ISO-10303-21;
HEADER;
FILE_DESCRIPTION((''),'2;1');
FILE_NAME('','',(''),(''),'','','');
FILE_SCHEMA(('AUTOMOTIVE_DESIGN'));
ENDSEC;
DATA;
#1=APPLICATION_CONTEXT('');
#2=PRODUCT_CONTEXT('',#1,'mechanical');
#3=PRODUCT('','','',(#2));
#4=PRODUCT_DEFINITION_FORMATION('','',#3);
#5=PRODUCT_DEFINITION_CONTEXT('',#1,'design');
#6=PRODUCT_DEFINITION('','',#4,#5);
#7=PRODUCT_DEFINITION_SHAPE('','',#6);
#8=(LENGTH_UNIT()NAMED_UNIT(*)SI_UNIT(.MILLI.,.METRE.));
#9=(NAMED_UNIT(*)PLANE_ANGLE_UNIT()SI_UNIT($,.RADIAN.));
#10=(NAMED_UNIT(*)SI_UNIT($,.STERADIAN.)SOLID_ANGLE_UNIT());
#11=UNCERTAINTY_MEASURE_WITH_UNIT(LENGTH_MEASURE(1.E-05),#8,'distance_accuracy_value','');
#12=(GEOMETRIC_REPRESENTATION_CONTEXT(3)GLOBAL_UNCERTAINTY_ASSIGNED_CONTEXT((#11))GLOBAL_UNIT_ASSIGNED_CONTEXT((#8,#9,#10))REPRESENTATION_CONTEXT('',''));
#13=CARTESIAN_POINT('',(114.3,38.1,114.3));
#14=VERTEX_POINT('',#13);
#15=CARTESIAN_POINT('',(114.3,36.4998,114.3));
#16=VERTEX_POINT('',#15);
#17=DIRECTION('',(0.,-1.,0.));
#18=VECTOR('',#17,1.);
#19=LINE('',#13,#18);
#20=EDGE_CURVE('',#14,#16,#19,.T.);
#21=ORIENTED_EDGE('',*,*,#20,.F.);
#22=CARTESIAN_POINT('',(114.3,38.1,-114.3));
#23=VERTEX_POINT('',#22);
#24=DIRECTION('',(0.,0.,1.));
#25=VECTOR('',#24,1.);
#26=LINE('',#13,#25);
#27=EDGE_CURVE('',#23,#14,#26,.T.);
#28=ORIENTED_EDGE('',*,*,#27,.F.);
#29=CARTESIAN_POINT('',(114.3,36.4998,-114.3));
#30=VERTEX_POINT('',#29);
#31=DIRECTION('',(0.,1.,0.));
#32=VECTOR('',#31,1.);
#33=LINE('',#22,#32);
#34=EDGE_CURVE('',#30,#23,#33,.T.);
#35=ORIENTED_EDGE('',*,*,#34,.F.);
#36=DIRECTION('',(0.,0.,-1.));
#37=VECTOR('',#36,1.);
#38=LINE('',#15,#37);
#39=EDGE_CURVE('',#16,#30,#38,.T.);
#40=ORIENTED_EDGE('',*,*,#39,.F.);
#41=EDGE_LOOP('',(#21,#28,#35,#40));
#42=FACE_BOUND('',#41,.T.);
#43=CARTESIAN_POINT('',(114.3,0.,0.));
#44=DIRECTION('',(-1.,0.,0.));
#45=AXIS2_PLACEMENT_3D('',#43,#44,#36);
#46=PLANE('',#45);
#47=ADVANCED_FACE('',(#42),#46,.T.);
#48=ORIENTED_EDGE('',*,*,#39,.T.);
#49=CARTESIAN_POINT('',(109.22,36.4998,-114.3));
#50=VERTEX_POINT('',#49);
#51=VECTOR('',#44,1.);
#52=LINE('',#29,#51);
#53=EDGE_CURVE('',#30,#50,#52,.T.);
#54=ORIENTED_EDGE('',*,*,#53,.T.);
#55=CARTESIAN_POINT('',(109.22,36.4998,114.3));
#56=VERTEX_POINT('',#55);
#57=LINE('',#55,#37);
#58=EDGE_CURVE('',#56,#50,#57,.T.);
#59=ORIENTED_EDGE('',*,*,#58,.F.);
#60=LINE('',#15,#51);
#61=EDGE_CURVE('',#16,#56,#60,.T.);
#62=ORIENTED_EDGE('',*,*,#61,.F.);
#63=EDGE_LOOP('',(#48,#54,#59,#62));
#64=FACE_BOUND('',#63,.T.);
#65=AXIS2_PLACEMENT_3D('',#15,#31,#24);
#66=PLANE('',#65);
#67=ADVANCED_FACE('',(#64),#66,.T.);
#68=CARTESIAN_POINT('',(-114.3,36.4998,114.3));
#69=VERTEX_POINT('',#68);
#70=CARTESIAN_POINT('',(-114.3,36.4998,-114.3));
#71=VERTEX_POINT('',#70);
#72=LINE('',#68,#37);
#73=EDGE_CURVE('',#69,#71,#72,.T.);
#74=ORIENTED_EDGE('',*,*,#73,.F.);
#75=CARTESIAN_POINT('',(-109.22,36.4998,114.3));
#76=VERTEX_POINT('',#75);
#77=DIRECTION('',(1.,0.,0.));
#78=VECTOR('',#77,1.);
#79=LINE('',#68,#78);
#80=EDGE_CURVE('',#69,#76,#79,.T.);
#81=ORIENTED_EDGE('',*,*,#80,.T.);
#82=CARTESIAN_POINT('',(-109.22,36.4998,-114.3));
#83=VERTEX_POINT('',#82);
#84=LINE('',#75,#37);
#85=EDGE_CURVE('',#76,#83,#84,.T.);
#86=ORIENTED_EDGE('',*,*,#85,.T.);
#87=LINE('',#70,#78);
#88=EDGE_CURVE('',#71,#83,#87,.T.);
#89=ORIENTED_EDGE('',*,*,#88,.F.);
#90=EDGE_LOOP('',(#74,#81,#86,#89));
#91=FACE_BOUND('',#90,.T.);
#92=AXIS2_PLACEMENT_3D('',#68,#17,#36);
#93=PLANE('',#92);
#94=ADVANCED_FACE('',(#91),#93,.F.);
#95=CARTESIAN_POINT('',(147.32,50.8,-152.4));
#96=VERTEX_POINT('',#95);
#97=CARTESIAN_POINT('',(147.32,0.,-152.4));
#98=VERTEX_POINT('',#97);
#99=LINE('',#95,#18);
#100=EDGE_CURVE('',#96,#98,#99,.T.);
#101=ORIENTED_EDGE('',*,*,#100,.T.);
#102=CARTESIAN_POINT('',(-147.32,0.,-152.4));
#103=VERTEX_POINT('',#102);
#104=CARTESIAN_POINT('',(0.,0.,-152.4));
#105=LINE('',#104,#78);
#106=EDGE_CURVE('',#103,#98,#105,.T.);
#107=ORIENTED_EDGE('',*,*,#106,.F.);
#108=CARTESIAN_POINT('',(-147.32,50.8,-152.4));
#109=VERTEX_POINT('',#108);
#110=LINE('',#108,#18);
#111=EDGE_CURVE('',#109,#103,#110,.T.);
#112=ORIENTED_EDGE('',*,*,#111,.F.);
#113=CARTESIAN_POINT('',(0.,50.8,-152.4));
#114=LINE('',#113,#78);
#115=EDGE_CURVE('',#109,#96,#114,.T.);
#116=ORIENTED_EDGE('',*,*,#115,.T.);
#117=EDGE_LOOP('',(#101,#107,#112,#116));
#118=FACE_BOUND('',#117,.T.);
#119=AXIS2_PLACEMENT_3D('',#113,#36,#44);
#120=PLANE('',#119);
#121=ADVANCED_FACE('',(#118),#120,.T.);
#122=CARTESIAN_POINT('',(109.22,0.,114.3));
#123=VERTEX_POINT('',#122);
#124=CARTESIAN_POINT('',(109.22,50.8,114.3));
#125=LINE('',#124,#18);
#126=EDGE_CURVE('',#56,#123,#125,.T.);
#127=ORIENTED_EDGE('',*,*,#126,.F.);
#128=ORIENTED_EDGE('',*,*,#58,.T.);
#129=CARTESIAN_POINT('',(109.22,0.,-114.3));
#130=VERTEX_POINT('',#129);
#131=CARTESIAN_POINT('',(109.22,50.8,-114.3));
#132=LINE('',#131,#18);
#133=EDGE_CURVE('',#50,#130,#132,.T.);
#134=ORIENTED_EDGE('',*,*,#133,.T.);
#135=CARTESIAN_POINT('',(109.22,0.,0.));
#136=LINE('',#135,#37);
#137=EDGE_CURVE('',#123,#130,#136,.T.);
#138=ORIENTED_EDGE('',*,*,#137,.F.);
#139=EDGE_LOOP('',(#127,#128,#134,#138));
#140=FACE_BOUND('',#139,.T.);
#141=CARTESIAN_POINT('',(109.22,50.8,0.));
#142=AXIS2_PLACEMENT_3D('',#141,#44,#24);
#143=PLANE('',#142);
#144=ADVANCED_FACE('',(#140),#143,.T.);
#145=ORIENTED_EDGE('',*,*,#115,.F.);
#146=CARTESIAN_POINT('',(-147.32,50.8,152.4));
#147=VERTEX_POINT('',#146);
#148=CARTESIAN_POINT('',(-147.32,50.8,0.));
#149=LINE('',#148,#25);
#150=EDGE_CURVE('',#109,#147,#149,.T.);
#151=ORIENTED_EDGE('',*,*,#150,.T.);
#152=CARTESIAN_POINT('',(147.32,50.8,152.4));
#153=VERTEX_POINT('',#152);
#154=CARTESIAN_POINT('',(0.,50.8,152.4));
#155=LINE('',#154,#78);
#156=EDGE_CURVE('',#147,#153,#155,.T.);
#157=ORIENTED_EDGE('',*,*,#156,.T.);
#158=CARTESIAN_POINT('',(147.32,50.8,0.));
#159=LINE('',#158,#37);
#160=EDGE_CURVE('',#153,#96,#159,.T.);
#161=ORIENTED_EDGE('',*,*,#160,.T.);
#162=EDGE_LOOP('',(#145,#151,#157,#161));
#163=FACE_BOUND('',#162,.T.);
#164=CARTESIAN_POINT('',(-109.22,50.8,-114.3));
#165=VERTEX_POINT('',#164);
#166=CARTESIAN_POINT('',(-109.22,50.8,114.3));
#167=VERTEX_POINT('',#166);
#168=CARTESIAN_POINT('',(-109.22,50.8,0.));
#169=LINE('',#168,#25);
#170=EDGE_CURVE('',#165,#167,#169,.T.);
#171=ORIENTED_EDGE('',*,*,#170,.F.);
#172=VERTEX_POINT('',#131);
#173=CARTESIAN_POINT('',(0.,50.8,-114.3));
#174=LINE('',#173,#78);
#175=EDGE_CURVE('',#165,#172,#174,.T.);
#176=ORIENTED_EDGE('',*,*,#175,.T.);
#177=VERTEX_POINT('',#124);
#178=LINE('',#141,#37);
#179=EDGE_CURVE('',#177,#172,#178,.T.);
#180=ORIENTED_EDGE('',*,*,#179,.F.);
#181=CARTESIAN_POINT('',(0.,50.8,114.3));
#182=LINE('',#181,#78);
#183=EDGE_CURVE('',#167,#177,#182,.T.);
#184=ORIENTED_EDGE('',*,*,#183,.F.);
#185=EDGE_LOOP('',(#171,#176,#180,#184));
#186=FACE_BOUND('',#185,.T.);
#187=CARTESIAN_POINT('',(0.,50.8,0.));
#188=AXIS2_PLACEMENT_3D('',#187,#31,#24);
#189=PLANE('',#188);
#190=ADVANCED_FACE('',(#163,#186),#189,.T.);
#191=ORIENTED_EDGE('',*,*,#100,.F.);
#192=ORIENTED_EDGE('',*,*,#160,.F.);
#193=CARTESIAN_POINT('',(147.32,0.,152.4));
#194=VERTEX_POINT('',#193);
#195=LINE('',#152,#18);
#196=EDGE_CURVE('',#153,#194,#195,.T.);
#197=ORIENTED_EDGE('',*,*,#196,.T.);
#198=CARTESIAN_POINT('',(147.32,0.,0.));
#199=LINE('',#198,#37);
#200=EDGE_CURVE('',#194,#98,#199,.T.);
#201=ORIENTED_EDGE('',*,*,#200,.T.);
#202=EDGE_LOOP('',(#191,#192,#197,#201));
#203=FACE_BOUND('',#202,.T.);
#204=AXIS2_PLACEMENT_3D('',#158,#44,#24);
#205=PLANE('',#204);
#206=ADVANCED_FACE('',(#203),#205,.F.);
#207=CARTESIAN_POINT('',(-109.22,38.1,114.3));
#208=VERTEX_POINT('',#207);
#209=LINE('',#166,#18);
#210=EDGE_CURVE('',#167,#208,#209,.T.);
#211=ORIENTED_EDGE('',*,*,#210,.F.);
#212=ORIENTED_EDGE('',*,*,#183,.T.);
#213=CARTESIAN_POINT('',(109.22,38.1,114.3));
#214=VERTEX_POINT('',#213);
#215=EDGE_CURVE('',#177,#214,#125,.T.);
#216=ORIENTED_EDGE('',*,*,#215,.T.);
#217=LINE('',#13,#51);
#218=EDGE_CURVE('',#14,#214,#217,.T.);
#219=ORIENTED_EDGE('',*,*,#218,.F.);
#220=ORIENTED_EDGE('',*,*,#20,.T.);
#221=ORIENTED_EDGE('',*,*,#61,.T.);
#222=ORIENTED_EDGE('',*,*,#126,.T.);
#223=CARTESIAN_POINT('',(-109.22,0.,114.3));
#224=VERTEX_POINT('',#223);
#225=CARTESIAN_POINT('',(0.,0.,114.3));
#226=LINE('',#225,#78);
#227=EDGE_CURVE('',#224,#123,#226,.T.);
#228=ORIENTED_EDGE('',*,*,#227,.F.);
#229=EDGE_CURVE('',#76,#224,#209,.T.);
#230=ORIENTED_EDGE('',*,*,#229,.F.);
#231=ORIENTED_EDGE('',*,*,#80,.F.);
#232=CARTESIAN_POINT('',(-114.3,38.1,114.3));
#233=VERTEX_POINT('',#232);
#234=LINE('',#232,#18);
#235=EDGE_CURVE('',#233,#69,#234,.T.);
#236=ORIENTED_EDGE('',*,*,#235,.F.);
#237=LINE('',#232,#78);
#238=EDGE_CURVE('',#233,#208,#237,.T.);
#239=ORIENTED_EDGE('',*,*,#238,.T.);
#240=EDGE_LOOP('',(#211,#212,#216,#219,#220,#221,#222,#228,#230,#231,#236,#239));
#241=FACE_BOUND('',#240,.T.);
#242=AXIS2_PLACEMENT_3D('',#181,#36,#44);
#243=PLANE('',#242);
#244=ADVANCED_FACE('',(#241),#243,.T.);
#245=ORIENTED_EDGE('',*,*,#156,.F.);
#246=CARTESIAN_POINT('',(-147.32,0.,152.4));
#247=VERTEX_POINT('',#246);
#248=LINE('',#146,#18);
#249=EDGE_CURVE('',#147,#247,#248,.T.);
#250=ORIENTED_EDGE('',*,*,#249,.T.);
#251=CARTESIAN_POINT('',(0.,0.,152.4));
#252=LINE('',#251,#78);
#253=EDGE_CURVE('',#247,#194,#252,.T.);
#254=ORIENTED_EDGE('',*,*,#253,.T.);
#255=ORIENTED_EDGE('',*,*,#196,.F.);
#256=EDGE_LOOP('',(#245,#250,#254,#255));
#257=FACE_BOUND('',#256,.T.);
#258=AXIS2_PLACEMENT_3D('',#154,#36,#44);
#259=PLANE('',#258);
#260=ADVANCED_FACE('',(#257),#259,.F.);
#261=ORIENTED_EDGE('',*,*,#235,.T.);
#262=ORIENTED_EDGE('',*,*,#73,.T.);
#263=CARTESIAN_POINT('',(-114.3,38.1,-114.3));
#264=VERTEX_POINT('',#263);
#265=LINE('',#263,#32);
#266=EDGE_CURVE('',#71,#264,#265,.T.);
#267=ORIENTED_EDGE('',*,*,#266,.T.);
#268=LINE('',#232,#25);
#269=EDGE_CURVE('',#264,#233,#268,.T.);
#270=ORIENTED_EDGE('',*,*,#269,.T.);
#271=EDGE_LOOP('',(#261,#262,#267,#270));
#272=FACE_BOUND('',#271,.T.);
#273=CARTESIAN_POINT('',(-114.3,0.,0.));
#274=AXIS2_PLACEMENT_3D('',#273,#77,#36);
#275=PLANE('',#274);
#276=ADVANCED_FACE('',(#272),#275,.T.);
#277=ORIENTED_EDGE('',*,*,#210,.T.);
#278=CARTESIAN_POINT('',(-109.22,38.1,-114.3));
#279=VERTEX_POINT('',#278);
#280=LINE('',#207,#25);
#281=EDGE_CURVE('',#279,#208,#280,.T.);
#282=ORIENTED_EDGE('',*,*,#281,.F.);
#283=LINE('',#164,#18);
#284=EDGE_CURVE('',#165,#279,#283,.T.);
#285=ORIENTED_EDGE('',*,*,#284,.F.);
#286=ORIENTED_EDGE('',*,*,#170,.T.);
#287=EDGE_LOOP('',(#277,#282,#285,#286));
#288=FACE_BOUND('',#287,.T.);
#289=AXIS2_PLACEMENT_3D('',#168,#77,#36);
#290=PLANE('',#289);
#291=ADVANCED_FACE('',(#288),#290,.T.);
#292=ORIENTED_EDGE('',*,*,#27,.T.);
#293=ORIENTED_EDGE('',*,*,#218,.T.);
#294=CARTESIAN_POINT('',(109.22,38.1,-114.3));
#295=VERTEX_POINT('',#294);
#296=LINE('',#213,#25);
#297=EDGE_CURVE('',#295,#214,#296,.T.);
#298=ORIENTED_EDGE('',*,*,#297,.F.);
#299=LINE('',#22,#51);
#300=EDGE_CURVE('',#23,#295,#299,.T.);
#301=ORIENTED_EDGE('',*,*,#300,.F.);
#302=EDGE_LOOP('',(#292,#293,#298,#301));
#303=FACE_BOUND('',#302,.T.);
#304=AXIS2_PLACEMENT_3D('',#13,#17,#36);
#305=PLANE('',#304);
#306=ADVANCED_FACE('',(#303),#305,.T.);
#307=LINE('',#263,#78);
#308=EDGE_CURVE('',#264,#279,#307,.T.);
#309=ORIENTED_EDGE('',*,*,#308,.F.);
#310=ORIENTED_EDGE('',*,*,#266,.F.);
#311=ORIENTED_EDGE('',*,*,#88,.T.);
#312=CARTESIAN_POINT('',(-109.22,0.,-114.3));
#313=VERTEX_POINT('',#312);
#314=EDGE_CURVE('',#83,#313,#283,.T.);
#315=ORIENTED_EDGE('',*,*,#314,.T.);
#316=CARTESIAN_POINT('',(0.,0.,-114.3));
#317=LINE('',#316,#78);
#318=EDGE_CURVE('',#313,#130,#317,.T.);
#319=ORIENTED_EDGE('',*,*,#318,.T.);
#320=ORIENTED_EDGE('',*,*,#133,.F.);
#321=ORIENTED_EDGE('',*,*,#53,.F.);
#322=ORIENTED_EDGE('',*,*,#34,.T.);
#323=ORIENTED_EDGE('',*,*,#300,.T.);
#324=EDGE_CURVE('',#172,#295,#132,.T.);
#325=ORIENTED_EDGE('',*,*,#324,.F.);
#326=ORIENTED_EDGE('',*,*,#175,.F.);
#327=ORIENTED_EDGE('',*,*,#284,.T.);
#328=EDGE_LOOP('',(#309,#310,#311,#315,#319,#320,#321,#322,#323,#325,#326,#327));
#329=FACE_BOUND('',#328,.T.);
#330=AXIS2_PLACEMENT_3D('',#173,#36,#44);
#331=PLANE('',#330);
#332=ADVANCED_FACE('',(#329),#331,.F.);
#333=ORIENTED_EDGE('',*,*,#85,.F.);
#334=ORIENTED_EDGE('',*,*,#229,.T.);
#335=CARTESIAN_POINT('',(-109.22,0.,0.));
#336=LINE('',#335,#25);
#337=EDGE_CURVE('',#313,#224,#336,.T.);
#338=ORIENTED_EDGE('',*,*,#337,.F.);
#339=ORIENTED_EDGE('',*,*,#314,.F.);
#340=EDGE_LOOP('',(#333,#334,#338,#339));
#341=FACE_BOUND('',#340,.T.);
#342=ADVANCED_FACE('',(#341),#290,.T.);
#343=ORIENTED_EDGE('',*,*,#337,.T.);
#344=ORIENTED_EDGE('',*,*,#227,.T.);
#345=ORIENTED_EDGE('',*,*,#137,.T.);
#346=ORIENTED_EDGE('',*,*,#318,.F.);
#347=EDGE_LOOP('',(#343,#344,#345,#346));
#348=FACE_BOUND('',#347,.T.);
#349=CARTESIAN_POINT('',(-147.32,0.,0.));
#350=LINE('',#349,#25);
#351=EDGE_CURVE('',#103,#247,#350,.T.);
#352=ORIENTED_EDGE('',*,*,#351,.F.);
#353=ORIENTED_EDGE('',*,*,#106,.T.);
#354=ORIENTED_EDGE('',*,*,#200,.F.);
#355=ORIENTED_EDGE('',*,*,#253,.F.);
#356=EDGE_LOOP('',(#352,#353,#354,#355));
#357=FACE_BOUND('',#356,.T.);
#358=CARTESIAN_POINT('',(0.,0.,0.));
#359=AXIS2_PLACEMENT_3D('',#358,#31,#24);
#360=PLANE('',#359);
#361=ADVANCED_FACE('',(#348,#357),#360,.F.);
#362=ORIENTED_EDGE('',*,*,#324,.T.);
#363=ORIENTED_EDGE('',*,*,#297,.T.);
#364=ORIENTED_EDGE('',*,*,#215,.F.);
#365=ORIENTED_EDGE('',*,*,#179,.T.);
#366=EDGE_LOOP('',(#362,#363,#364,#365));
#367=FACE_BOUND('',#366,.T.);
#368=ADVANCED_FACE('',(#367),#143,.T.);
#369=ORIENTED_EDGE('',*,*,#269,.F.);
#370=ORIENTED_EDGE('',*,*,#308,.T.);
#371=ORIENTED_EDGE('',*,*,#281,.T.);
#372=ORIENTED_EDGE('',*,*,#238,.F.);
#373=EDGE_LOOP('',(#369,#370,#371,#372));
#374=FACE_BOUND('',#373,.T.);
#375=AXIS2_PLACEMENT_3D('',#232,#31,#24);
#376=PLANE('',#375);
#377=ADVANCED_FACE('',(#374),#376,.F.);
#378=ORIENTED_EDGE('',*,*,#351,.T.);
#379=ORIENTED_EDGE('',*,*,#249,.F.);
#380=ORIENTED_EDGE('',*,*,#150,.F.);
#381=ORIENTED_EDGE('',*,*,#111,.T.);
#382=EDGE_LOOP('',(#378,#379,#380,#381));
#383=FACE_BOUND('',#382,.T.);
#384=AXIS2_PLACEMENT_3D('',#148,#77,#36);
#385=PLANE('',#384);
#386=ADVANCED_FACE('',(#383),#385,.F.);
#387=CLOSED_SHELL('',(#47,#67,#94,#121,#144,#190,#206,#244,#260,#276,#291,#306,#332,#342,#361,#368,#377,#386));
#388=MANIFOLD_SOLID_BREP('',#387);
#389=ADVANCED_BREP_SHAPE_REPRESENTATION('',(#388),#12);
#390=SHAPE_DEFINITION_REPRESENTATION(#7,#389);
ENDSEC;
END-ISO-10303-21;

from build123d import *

# Parameters (mm, degrees)
SKETCH2_W           = 38.1
SKETCH2_H           = 304.8
SKETCH2_W_2         = 218.44
SKETCH2_H_2         = 38.1
BOSS_EXTRUDE1_DEPTH = 50.8
SKETCH4_W           = 228.6
SKETCH4_H           = 1.6002
CUT_EXTRUDE1_DEPTH  = 5.08


with BuildPart() as part:
    # Sketch2 → Boss-Extrude1 (new body)
    with BuildSketch(Plane(origin=(0, 0, 0), x_dir=(1, 0, 0), z_dir=(0, 1, 0))):
        with Locations((-128.27, 0)):
            Rectangle(SKETCH2_W, SKETCH2_H)
        with Locations((128.27, 0)):
            Rectangle(SKETCH2_W, SKETCH2_H)
        with Locations((0, -133.35)):
            Rectangle(SKETCH2_W_2, SKETCH2_H_2)
        with Locations((0, 133.35)):
            Rectangle(SKETCH2_W_2, SKETCH2_H_2)
    extrude(amount=BOSS_EXTRUDE1_DEPTH)

    # Sketch4 → Cut-Extrude1 (cut)
    with BuildSketch(Plane(origin=(-109.22, 0, 0), x_dir=(0, 0, -1), z_dir=(1, 0, 0))):
        with Locations((0, 37.2999)):
            Rectangle(SKETCH4_W, SKETCH4_H)
    cut_extrude1 = extrude(amount=-CUT_EXTRUDE1_DEPTH, mode=Mode.SUBTRACT)

    # Mirror1: Cut-Extrude1 across plane
    add(cut_extrude1.mirror(Plane(origin=(0, 0, 0), x_dir=(0, 0, 1), z_dir=(1, 0, 0))), mode=Mode.SUBTRACT)


solid = part.part
